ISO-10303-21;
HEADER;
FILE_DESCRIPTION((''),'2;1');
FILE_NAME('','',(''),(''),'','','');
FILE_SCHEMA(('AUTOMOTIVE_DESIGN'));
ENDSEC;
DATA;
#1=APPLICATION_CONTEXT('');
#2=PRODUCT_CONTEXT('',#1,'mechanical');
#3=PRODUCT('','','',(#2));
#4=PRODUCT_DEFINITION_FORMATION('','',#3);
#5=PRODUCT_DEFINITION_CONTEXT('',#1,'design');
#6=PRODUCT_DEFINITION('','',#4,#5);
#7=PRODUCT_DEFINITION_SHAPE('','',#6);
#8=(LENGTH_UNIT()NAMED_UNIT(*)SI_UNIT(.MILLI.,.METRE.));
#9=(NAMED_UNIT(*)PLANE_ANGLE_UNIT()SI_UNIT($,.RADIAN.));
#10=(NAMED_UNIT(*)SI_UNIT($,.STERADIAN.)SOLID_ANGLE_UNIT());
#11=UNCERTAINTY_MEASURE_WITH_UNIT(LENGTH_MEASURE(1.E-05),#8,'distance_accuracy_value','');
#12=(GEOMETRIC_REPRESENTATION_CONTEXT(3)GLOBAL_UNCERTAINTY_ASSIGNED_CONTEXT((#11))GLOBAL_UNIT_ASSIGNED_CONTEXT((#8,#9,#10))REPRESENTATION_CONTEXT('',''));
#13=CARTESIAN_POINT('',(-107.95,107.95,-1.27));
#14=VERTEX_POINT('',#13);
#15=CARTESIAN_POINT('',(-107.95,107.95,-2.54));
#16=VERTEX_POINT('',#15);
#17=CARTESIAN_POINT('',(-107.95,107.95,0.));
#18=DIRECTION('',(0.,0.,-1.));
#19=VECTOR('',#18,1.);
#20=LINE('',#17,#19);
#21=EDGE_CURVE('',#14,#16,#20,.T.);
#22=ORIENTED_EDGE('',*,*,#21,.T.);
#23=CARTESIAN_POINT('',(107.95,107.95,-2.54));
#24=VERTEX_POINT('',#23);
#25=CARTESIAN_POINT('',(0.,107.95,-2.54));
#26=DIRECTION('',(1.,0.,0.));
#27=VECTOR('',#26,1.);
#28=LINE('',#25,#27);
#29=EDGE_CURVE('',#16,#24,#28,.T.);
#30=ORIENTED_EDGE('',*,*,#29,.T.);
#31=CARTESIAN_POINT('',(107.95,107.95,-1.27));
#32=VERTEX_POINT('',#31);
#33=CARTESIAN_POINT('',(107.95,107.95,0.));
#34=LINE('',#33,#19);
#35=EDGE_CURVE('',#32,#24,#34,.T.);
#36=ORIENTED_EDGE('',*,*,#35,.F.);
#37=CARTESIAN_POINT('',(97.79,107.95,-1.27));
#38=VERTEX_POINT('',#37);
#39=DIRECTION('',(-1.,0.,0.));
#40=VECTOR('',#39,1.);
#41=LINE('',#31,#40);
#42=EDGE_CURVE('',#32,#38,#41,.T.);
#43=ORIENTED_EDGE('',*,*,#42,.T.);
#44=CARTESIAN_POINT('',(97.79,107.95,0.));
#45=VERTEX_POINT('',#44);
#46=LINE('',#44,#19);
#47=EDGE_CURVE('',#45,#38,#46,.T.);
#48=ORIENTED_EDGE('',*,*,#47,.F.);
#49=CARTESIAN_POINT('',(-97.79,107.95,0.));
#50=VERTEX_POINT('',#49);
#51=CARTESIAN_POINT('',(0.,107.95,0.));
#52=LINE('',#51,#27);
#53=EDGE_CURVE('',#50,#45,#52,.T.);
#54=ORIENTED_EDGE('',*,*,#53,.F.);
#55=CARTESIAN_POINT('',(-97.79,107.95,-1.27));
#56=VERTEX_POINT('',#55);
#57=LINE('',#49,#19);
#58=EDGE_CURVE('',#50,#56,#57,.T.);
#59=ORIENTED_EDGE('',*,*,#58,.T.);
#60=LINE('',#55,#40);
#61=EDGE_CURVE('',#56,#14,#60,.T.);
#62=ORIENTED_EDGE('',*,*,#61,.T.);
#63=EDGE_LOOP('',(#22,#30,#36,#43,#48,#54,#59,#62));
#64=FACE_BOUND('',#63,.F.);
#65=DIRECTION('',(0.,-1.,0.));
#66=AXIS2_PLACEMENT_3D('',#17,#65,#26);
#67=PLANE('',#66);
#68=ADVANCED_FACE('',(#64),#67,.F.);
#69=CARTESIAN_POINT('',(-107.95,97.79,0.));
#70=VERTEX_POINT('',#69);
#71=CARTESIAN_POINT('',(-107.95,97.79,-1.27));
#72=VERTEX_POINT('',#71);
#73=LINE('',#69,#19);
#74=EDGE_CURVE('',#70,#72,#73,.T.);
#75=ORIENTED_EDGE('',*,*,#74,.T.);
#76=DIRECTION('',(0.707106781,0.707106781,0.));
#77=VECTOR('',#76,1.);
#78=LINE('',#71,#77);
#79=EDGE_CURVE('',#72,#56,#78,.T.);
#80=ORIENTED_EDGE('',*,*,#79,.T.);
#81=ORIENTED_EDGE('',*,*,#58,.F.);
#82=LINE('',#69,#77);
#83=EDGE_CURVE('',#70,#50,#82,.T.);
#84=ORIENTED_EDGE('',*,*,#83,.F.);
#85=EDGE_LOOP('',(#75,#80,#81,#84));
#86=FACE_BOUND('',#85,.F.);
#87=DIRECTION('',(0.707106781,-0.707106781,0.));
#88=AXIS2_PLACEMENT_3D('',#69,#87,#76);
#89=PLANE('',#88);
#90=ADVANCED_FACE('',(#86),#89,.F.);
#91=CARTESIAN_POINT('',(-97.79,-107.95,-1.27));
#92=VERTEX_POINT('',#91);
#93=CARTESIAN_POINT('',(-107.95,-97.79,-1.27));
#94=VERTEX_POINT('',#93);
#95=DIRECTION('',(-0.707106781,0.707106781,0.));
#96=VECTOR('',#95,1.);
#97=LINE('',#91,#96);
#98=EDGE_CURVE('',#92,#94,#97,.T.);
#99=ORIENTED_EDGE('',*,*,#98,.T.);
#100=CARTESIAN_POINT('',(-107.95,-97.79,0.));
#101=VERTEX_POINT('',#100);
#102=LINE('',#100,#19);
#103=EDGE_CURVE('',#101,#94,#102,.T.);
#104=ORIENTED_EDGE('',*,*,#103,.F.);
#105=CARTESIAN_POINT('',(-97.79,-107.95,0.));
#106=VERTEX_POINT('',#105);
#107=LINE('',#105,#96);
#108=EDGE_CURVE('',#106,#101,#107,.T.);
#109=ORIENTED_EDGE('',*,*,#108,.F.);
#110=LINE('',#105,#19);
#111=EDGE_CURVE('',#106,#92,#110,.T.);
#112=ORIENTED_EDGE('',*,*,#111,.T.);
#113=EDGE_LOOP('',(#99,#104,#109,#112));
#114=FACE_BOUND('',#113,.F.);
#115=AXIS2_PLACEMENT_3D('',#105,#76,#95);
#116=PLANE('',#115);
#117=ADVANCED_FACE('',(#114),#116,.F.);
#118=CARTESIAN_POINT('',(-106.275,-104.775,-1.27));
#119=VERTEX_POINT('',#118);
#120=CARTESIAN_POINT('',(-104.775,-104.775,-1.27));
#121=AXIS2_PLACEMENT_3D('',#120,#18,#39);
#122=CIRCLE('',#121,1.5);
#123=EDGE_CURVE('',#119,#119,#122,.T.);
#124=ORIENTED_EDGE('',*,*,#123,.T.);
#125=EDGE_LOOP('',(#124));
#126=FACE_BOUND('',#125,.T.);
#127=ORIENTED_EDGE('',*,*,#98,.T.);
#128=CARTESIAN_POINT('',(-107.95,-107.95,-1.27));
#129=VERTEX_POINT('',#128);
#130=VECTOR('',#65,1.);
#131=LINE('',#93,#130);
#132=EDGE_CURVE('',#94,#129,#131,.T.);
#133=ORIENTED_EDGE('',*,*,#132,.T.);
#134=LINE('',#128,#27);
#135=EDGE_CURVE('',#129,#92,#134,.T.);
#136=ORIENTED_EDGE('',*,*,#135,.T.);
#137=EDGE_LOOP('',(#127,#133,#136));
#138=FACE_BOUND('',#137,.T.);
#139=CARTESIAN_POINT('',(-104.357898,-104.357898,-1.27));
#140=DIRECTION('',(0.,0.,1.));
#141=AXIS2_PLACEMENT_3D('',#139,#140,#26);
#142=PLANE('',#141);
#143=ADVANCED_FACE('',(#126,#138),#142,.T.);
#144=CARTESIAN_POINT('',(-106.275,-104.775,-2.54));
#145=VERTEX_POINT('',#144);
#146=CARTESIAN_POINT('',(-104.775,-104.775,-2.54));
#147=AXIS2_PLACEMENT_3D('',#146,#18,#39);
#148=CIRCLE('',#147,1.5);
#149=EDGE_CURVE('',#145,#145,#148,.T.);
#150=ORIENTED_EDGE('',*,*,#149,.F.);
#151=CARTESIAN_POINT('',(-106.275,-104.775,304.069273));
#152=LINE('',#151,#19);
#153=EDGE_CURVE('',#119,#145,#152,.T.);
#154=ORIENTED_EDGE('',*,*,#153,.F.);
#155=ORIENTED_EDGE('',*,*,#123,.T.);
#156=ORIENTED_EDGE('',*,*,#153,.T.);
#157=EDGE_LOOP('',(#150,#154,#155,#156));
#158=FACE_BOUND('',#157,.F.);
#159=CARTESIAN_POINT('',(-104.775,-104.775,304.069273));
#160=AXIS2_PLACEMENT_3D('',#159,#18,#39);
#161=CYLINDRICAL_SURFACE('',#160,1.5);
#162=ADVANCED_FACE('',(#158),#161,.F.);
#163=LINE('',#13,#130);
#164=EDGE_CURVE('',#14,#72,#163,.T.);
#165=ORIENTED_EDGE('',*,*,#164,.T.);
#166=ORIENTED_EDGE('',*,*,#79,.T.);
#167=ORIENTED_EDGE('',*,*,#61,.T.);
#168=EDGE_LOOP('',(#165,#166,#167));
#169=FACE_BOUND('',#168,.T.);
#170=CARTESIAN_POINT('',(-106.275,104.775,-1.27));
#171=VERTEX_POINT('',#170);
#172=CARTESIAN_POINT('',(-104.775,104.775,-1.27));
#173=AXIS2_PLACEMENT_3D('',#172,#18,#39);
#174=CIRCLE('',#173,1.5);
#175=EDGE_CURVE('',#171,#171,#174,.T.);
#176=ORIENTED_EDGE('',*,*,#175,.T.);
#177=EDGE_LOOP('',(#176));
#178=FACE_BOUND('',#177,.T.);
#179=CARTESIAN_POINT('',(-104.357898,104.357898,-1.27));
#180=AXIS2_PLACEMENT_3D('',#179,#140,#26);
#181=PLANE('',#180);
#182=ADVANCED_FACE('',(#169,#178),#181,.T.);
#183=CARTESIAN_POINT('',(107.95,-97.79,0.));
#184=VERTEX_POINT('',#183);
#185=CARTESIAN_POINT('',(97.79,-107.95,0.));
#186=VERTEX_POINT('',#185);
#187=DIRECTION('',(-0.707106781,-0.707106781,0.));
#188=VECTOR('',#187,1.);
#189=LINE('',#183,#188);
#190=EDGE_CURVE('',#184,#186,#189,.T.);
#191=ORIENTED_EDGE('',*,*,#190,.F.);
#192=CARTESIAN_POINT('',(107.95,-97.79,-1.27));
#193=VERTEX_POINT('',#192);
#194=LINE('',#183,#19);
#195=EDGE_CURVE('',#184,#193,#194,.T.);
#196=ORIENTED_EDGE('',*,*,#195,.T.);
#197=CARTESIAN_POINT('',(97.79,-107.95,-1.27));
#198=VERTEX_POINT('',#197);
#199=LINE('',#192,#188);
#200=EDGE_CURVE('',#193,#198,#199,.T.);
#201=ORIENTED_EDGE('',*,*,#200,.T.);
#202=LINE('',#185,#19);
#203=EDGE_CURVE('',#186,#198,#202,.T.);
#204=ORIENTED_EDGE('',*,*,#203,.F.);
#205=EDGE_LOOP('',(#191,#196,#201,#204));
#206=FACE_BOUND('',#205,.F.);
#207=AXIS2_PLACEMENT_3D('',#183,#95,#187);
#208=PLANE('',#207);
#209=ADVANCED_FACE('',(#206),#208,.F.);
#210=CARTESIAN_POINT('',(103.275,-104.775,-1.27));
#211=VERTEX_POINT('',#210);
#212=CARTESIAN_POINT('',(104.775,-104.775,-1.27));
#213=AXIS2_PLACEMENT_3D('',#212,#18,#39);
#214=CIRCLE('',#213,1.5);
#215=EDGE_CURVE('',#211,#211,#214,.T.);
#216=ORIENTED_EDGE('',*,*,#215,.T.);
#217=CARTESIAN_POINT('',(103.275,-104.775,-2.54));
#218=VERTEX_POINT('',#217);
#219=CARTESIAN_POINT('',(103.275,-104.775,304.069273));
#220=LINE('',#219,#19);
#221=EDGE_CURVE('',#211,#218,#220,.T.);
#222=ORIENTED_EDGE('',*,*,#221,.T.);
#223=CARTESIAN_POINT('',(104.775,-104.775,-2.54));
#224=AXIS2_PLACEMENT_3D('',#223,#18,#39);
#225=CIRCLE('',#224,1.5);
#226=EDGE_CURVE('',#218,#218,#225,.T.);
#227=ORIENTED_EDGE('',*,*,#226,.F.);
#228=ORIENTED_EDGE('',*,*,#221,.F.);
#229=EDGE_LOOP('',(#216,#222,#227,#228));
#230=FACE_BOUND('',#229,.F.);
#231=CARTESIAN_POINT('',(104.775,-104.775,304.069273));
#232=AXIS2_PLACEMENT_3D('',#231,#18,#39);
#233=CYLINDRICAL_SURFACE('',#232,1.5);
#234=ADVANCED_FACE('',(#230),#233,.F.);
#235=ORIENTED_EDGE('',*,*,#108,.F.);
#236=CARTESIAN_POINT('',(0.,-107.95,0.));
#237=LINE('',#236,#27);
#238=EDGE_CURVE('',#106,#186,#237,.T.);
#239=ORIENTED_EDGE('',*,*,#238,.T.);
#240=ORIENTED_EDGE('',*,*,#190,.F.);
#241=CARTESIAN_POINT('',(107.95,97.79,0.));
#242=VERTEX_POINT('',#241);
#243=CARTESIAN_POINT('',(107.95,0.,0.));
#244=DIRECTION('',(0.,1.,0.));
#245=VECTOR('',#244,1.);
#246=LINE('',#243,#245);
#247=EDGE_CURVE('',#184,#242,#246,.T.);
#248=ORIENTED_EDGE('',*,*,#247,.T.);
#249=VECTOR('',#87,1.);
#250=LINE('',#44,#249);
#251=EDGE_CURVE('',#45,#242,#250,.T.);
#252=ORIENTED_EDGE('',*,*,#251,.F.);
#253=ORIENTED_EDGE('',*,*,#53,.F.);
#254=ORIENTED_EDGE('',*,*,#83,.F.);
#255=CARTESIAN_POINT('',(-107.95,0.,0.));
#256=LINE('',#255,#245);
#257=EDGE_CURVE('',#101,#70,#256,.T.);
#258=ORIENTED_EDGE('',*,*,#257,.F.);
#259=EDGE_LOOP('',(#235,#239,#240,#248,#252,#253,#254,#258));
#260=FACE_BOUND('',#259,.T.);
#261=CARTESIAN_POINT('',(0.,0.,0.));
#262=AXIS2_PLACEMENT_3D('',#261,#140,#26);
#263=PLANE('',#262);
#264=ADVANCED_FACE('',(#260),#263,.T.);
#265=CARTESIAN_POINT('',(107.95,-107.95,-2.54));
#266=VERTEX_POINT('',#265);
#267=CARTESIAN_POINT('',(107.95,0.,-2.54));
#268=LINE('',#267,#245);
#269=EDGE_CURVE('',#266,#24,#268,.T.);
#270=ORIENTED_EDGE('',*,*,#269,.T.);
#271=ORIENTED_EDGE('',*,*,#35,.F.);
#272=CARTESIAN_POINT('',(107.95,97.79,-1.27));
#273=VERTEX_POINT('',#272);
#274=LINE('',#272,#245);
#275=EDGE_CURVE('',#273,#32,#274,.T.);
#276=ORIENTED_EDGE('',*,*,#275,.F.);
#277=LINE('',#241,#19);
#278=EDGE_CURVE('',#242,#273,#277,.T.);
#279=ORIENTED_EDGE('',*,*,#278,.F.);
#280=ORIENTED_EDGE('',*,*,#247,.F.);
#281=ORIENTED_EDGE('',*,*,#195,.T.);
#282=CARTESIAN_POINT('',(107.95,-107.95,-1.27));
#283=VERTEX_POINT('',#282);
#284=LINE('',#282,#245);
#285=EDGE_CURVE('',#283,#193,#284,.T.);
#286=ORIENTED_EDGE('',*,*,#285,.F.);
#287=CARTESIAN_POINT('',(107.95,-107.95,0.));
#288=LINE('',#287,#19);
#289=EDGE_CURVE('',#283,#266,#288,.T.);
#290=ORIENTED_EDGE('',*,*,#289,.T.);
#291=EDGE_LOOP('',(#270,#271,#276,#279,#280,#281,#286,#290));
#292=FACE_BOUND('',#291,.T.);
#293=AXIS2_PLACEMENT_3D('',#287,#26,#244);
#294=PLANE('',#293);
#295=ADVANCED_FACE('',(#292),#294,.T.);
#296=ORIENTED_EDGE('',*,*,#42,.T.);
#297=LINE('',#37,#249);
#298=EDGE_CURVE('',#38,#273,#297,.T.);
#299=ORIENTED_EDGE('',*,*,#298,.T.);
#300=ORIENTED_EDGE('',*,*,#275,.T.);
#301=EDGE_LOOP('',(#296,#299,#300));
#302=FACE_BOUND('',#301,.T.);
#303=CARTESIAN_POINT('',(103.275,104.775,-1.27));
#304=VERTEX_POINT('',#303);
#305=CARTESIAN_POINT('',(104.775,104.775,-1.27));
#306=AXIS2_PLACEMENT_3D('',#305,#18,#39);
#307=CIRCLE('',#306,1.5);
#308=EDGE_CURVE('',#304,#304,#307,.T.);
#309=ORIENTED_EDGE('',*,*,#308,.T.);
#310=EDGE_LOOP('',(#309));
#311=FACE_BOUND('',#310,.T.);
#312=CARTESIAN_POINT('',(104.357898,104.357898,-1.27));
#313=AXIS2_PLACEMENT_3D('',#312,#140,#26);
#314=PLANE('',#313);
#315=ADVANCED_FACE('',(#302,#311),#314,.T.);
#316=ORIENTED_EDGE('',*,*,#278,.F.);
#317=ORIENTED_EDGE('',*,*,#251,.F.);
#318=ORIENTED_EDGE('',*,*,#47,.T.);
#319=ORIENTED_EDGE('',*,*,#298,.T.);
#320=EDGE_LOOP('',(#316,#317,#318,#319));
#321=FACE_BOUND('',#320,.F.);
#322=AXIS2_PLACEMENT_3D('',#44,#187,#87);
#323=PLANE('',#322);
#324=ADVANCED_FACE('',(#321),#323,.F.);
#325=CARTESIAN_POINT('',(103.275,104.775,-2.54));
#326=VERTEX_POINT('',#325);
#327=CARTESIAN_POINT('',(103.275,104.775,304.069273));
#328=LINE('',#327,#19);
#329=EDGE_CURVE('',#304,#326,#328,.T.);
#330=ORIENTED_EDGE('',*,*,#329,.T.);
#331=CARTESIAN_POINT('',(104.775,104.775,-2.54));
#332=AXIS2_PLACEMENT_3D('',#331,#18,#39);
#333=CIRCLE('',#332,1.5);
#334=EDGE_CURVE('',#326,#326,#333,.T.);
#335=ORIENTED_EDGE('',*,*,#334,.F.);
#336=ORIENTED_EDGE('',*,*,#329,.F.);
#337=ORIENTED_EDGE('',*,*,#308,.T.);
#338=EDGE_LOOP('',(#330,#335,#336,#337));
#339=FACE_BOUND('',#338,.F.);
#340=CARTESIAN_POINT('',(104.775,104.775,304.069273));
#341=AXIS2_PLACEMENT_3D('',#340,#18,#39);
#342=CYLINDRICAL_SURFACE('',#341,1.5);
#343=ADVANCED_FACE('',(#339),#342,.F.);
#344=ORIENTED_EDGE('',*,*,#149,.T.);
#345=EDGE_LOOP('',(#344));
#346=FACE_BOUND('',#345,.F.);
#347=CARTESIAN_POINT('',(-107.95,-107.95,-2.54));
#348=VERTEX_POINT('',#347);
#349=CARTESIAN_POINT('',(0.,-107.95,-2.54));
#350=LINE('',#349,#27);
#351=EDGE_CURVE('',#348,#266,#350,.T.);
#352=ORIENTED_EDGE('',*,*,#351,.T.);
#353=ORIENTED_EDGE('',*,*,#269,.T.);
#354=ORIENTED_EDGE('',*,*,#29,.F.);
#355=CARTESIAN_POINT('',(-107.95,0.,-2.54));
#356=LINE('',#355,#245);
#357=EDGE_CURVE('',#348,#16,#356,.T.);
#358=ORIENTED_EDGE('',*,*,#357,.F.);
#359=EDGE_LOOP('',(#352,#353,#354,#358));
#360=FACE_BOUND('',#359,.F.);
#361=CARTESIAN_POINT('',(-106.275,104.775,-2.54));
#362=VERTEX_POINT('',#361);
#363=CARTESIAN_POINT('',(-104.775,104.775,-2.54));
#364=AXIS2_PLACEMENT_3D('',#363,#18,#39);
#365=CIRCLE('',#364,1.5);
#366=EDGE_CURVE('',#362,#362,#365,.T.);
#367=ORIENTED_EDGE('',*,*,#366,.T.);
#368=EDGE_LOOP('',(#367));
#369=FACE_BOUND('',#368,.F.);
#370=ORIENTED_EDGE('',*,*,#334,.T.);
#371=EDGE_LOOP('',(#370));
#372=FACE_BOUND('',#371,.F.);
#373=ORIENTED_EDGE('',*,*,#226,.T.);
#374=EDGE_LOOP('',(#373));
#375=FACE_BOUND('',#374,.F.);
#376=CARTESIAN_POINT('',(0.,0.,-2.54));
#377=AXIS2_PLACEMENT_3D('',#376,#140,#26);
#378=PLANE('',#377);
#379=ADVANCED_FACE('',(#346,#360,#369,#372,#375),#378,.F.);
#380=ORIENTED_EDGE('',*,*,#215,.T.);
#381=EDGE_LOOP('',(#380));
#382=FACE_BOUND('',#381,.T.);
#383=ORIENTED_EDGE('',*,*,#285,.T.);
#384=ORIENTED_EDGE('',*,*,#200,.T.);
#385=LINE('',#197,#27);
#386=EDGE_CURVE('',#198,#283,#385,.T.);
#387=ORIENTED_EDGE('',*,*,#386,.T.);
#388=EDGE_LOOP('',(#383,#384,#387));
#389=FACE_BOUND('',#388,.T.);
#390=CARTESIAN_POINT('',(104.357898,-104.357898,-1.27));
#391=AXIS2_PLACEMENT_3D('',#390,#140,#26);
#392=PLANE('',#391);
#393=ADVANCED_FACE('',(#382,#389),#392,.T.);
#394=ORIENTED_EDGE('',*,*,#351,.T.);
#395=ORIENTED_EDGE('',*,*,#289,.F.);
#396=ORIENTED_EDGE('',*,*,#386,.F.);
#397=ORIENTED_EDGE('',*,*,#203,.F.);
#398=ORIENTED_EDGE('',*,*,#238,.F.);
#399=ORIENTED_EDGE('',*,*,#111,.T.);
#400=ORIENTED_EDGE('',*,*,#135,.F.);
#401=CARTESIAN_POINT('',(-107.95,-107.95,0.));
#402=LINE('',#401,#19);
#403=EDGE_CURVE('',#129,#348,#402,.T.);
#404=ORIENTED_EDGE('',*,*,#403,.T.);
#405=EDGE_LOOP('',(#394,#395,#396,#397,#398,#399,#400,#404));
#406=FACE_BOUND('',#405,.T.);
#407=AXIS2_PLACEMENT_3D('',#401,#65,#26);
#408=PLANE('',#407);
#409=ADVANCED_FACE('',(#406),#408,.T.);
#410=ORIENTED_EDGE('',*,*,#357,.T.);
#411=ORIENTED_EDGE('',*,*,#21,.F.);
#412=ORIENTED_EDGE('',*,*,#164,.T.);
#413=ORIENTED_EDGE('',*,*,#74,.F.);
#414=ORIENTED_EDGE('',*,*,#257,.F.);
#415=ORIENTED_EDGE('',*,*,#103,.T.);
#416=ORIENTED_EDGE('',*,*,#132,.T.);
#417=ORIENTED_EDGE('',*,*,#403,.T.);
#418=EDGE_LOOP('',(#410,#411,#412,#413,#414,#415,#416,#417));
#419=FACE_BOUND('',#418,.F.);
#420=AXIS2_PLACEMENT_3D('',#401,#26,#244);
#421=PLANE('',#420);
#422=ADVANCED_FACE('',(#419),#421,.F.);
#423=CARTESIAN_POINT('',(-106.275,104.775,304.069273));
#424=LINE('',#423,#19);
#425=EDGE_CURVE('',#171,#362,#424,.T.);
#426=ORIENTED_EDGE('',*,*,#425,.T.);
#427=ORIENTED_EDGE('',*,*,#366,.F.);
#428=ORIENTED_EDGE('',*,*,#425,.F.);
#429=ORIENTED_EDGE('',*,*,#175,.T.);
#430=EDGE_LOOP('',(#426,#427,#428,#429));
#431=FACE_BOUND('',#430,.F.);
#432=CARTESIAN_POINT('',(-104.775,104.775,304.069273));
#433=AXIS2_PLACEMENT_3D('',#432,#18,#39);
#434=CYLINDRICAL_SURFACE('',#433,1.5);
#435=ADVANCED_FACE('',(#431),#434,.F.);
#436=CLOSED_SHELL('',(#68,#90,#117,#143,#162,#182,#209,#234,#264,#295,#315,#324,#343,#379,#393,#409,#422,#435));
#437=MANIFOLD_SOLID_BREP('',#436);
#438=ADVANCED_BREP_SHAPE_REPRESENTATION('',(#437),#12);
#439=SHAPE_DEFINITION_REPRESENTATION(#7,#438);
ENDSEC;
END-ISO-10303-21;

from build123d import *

# Parameters (mm, degrees)
F0_W     = 215.9
F0_H     = 215.9
F1_DEPTH = 2.54
F3_DEPTH = 1.27
F5_D     = 3


with BuildPart() as f1:
    # F0 (on Top) → F1 (new body)
    with BuildSketch(Plane.XY):
        Rectangle(F0_W, F0_H)
    extrude(amount=-F1_DEPTH)

    # F2 (on face) → F3 (cut)
    with BuildSketch(Plane.XY):
        Polygon((-107.95, 107.95), (-107.95, 97.79), (-97.79, 107.95), align=None)
        Polygon((107.95, 97.79), (107.95, 107.95), (97.79, 107.95), align=None)
        Polygon((97.79, -107.95), (107.95, -107.95), (107.95, -97.79), align=None)
        Polygon((-97.79, -107.95), (-107.95, -97.79), (-107.95, -107.95), align=None)
    extrude(amount=-F3_DEPTH, mode=Mode.SUBTRACT)

    # F5 (through all)
    with Locations(Plane.XY.offset(-1.27)):
        with Locations((104.775, -104.775), (-104.775, -104.775), (-104.775, 104.775), (104.775, 104.775)):
            Hole(F5_D / 2)


solid = f1.part
